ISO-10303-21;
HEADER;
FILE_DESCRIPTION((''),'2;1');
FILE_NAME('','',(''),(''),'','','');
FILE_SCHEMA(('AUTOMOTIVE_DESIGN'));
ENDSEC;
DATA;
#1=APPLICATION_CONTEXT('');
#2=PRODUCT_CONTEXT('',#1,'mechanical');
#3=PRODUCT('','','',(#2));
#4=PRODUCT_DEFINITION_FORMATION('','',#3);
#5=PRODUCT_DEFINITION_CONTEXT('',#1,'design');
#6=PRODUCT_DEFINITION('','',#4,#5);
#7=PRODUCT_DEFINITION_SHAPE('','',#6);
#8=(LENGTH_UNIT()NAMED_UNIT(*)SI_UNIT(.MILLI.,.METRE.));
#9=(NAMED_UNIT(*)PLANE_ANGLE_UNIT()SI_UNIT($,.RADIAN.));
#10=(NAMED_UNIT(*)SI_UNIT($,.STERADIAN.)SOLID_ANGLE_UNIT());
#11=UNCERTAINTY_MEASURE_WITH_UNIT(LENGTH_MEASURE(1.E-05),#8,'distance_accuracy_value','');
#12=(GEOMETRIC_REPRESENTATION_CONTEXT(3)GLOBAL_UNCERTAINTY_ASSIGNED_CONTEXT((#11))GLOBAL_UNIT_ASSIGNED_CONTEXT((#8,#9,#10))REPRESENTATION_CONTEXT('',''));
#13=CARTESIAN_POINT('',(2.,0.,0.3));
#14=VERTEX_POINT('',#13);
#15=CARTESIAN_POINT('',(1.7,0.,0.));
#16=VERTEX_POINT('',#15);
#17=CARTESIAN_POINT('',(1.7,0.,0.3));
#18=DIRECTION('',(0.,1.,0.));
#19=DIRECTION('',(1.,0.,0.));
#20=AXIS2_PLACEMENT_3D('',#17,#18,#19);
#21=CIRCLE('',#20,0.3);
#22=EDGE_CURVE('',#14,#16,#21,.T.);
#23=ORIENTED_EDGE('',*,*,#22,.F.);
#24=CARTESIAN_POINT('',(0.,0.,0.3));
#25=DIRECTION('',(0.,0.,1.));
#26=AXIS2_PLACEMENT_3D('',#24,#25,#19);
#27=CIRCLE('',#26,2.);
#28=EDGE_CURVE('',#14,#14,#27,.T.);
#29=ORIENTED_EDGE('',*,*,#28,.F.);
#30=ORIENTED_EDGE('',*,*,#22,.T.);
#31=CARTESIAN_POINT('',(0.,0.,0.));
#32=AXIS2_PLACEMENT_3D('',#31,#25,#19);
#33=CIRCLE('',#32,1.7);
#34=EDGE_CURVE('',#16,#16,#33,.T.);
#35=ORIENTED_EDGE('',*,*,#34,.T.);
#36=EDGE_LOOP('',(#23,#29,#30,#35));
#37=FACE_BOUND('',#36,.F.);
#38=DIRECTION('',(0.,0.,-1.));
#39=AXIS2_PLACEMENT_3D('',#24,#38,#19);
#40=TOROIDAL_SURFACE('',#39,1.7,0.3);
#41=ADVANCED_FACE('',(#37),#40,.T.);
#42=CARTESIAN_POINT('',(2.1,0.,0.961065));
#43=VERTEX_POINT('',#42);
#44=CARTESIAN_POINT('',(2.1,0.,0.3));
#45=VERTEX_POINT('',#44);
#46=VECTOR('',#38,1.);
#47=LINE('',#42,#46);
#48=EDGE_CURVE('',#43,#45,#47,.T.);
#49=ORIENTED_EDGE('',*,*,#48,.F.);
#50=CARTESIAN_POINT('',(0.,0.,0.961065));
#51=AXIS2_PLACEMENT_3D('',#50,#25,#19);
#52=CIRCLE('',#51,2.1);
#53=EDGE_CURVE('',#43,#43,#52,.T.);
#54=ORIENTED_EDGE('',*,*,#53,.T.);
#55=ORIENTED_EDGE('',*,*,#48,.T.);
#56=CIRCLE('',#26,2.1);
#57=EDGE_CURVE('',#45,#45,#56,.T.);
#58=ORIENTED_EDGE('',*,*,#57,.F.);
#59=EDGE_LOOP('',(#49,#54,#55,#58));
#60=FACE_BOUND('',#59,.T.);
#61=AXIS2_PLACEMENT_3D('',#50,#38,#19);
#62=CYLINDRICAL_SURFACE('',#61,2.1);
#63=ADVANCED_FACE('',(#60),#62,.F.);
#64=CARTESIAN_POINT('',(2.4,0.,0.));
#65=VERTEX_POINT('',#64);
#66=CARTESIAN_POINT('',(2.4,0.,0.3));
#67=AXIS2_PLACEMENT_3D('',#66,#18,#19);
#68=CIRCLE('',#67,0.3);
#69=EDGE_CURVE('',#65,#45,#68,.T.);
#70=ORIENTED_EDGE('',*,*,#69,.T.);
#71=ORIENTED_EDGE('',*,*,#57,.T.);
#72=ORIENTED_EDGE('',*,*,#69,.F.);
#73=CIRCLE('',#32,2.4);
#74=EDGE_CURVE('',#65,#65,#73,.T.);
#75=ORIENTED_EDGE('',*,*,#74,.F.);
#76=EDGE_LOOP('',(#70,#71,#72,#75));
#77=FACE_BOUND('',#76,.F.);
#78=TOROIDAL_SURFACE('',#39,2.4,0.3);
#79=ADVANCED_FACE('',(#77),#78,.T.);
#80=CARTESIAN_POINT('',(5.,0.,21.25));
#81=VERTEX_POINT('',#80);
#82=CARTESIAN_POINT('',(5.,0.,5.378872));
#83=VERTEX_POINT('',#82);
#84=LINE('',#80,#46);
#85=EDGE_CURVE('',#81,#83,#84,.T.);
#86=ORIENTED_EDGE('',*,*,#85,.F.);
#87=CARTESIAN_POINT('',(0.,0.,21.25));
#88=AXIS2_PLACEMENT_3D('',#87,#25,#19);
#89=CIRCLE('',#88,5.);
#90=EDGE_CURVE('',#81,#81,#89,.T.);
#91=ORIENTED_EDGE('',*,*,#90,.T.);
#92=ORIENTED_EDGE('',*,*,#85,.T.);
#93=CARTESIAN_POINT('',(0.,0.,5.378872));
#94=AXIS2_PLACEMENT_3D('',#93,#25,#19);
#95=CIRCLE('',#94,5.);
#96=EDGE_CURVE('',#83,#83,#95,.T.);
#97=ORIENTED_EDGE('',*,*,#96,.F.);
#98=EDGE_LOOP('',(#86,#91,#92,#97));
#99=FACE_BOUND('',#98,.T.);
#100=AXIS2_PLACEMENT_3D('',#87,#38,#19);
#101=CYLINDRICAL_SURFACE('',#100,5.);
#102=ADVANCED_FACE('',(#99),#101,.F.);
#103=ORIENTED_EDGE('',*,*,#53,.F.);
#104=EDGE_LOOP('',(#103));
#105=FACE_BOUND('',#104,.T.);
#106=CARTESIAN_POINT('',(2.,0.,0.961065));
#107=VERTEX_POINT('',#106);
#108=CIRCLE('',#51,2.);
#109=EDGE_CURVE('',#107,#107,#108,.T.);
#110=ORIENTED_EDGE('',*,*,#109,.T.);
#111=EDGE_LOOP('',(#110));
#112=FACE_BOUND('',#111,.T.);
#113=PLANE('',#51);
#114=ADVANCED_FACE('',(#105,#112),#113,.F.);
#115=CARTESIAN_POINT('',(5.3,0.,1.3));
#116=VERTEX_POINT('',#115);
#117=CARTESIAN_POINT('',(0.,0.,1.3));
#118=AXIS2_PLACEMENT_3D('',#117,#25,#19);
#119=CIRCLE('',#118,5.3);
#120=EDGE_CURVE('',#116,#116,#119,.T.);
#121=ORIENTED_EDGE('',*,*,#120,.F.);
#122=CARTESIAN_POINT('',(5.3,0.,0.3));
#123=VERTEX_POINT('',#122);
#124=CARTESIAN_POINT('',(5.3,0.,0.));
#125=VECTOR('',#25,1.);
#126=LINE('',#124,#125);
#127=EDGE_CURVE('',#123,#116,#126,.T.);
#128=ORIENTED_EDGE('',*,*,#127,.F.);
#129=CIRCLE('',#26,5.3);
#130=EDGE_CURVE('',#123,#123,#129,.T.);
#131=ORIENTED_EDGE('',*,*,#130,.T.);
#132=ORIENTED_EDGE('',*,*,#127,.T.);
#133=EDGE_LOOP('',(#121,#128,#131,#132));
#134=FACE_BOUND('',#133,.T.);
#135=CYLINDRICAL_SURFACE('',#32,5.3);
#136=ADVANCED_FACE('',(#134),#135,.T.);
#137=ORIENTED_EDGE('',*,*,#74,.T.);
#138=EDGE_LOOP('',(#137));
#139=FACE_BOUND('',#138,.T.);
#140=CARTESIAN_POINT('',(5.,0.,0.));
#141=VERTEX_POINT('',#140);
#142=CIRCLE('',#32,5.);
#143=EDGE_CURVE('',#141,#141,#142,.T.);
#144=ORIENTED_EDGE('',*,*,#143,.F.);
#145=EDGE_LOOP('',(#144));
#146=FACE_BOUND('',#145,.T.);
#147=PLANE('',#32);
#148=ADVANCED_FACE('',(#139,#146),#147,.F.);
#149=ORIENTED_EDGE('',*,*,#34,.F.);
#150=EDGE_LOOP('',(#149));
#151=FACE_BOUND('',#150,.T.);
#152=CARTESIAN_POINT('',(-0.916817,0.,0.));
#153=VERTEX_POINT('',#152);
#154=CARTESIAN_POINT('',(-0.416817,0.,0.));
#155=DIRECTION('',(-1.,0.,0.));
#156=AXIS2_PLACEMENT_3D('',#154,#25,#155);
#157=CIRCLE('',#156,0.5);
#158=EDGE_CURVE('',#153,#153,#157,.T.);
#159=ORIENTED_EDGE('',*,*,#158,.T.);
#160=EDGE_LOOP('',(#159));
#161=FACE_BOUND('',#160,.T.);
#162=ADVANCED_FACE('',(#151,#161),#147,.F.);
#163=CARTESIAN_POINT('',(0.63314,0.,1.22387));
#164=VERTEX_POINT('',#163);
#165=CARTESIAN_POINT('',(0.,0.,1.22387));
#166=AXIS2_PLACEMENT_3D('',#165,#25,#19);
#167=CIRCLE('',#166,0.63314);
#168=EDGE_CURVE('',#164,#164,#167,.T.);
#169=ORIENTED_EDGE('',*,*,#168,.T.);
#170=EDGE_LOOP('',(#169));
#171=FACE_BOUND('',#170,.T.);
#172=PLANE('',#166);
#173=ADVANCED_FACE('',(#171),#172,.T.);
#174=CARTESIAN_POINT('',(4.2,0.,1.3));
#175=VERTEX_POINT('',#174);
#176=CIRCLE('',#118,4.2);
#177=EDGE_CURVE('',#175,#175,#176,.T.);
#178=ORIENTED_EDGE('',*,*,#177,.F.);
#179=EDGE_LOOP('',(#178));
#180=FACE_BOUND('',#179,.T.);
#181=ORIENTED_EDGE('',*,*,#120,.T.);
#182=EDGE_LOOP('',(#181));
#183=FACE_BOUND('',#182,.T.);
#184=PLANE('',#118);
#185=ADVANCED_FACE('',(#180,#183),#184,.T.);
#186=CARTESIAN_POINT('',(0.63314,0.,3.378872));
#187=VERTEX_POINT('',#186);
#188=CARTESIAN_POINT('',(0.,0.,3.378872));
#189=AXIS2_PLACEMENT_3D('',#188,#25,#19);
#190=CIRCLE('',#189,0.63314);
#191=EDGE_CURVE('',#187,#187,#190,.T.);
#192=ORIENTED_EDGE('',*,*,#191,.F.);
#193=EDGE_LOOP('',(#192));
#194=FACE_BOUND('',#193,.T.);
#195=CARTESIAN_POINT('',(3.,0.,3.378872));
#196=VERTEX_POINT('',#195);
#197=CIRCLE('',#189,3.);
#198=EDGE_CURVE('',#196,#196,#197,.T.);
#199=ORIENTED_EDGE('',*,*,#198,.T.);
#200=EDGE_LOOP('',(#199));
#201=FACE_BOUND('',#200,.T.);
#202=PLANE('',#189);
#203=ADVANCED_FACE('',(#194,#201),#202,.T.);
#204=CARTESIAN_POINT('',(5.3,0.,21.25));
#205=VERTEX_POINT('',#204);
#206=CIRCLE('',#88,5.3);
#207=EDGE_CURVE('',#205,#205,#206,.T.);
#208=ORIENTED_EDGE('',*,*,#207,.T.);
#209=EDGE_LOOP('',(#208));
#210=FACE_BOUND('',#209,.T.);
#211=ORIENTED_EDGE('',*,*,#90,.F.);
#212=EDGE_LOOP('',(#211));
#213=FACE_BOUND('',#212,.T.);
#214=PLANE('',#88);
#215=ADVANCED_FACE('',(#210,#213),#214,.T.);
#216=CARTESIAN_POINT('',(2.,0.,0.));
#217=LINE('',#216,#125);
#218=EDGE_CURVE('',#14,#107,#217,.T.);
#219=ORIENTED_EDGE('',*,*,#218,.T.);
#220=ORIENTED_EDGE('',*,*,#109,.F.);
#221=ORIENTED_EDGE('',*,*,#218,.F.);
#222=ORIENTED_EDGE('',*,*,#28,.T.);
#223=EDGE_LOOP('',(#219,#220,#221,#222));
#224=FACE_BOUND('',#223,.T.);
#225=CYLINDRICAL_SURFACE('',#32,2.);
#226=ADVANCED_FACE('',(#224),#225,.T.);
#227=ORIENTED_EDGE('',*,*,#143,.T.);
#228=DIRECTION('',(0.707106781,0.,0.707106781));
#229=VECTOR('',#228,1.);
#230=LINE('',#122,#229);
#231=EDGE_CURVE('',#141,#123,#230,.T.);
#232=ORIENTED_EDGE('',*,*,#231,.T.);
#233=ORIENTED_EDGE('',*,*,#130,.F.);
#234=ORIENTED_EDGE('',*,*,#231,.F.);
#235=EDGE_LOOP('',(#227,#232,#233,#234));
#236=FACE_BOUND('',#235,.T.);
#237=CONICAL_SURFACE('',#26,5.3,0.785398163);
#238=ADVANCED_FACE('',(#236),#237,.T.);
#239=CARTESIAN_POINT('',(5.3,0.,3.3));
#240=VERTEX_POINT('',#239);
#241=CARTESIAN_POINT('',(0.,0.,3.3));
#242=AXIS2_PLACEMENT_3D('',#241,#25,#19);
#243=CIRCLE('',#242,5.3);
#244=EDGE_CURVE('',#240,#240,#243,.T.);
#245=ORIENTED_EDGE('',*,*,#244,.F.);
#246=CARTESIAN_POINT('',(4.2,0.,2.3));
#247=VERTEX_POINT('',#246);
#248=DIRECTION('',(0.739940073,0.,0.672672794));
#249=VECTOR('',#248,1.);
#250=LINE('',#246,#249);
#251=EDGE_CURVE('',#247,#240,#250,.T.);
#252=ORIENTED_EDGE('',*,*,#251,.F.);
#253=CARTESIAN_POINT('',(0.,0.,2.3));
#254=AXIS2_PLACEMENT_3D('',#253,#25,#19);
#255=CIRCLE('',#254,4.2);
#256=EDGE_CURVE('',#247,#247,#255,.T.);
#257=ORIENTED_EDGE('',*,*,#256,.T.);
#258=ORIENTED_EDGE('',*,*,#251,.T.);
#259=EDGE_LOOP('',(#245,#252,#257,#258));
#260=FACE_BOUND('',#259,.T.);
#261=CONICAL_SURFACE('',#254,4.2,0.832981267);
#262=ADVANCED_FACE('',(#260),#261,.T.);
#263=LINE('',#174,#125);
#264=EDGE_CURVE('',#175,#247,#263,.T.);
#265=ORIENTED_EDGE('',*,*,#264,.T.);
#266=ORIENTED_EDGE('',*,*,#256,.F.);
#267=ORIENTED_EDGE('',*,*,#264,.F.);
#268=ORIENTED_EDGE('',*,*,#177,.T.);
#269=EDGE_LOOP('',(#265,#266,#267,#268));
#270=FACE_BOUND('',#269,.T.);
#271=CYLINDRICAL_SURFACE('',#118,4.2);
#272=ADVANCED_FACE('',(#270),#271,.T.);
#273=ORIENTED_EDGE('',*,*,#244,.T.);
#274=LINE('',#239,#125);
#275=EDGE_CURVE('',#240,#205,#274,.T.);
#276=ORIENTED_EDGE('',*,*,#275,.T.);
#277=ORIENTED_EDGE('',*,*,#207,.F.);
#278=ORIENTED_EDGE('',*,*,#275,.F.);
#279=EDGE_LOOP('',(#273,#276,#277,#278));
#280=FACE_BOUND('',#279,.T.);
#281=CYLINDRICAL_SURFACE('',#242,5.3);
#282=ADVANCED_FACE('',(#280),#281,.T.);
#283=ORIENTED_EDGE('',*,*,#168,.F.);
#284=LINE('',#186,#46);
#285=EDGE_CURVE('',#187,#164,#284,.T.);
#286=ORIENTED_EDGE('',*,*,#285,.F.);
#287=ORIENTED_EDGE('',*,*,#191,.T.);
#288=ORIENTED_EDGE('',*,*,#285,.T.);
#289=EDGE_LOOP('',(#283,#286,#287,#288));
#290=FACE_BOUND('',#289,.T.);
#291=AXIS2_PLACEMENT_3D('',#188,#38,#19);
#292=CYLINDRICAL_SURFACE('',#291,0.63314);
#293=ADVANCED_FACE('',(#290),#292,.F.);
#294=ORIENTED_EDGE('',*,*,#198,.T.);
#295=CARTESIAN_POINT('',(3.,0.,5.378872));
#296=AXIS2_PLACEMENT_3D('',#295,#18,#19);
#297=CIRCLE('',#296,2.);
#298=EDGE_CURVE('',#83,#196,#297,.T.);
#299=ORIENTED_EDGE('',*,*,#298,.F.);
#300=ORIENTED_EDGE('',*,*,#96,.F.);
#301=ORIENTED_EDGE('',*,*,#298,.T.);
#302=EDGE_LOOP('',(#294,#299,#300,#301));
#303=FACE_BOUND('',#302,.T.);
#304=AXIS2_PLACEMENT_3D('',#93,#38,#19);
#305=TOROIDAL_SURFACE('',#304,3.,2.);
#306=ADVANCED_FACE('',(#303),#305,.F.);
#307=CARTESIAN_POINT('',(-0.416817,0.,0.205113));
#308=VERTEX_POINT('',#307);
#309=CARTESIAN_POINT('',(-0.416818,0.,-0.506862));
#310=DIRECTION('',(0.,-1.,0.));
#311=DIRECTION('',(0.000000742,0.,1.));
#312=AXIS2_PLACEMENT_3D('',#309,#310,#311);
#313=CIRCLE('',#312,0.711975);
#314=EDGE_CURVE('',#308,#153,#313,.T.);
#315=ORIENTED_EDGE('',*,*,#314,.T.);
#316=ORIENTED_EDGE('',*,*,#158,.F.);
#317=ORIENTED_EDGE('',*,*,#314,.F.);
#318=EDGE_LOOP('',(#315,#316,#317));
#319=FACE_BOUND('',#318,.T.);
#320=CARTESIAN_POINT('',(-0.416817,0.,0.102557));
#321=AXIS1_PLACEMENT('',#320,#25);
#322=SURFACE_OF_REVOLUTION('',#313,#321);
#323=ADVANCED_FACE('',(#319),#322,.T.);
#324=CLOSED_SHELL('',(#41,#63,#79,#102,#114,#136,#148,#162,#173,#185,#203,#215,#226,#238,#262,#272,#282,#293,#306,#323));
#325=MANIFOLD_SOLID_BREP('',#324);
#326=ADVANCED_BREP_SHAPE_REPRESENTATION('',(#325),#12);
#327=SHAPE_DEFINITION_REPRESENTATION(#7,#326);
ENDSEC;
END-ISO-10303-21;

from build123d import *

# Parameters (mm, degrees)
F2_R    = 2
F3_R    = 0.3
F4_SIZE = 0.3


with BuildPart() as f1:
    # F0 (on Front) → F1 (revolve)
    with BuildSketch(Plane.XZ):
        Polygon((2.1, 0), (5.3, 0), (5.3, 1.3), (4.2, 1.3), (4.2, 2.3), (5.3, 3.3), (5.3, 21.25), (5, 21.25), (5, 3.378872), (0.63314, 3.378872), (0.63314, 1.22387), (0, 1.22387), (0, 0), (2, 0), (2, 0.961065), (2.1, 0.961065), align=None)
    revolve(axis=Axis((0, 0, 10.625), (0, 0, 1)))

    # F2
    f2_edges = [f1.edges().sort_by_distance(p)[0] for p in [
        (-5, 0, 3.378872),
    ]]
    fillet(f2_edges, radius=F2_R)

    # F3
    f3_edges = [f1.edges().sort_by_distance(p)[0] for p in [
        (-2.1, 0, 0),
        (-2, 0, 0),
    ]]
    fillet(f3_edges, radius=F3_R)

    # F4
    f4_edges = [f1.edges().sort_by_distance(p)[0] for p in [
        (-5.3, 0, 0),
    ]]
    chamfer(f4_edges, length=F4_SIZE)

    # F5 (on Front) → F6 (revolve, cut)
    with BuildSketch(Plane.XZ):
        with BuildLine():
            Line((-0.916817, 0), (-0.416817, 0))
            Line((-0.416817, 0), (-0.416817, 0.205113))
            ThreePointArc((-0.416817, 0.205113), (-0.687035, 0.151842), (-0.916817, 0))
        make_face()
    revolve(axis=Axis((-0.416817, 0, 0.102557), (0, 0, 1)), mode=Mode.SUBTRACT)


solid = f1.part
